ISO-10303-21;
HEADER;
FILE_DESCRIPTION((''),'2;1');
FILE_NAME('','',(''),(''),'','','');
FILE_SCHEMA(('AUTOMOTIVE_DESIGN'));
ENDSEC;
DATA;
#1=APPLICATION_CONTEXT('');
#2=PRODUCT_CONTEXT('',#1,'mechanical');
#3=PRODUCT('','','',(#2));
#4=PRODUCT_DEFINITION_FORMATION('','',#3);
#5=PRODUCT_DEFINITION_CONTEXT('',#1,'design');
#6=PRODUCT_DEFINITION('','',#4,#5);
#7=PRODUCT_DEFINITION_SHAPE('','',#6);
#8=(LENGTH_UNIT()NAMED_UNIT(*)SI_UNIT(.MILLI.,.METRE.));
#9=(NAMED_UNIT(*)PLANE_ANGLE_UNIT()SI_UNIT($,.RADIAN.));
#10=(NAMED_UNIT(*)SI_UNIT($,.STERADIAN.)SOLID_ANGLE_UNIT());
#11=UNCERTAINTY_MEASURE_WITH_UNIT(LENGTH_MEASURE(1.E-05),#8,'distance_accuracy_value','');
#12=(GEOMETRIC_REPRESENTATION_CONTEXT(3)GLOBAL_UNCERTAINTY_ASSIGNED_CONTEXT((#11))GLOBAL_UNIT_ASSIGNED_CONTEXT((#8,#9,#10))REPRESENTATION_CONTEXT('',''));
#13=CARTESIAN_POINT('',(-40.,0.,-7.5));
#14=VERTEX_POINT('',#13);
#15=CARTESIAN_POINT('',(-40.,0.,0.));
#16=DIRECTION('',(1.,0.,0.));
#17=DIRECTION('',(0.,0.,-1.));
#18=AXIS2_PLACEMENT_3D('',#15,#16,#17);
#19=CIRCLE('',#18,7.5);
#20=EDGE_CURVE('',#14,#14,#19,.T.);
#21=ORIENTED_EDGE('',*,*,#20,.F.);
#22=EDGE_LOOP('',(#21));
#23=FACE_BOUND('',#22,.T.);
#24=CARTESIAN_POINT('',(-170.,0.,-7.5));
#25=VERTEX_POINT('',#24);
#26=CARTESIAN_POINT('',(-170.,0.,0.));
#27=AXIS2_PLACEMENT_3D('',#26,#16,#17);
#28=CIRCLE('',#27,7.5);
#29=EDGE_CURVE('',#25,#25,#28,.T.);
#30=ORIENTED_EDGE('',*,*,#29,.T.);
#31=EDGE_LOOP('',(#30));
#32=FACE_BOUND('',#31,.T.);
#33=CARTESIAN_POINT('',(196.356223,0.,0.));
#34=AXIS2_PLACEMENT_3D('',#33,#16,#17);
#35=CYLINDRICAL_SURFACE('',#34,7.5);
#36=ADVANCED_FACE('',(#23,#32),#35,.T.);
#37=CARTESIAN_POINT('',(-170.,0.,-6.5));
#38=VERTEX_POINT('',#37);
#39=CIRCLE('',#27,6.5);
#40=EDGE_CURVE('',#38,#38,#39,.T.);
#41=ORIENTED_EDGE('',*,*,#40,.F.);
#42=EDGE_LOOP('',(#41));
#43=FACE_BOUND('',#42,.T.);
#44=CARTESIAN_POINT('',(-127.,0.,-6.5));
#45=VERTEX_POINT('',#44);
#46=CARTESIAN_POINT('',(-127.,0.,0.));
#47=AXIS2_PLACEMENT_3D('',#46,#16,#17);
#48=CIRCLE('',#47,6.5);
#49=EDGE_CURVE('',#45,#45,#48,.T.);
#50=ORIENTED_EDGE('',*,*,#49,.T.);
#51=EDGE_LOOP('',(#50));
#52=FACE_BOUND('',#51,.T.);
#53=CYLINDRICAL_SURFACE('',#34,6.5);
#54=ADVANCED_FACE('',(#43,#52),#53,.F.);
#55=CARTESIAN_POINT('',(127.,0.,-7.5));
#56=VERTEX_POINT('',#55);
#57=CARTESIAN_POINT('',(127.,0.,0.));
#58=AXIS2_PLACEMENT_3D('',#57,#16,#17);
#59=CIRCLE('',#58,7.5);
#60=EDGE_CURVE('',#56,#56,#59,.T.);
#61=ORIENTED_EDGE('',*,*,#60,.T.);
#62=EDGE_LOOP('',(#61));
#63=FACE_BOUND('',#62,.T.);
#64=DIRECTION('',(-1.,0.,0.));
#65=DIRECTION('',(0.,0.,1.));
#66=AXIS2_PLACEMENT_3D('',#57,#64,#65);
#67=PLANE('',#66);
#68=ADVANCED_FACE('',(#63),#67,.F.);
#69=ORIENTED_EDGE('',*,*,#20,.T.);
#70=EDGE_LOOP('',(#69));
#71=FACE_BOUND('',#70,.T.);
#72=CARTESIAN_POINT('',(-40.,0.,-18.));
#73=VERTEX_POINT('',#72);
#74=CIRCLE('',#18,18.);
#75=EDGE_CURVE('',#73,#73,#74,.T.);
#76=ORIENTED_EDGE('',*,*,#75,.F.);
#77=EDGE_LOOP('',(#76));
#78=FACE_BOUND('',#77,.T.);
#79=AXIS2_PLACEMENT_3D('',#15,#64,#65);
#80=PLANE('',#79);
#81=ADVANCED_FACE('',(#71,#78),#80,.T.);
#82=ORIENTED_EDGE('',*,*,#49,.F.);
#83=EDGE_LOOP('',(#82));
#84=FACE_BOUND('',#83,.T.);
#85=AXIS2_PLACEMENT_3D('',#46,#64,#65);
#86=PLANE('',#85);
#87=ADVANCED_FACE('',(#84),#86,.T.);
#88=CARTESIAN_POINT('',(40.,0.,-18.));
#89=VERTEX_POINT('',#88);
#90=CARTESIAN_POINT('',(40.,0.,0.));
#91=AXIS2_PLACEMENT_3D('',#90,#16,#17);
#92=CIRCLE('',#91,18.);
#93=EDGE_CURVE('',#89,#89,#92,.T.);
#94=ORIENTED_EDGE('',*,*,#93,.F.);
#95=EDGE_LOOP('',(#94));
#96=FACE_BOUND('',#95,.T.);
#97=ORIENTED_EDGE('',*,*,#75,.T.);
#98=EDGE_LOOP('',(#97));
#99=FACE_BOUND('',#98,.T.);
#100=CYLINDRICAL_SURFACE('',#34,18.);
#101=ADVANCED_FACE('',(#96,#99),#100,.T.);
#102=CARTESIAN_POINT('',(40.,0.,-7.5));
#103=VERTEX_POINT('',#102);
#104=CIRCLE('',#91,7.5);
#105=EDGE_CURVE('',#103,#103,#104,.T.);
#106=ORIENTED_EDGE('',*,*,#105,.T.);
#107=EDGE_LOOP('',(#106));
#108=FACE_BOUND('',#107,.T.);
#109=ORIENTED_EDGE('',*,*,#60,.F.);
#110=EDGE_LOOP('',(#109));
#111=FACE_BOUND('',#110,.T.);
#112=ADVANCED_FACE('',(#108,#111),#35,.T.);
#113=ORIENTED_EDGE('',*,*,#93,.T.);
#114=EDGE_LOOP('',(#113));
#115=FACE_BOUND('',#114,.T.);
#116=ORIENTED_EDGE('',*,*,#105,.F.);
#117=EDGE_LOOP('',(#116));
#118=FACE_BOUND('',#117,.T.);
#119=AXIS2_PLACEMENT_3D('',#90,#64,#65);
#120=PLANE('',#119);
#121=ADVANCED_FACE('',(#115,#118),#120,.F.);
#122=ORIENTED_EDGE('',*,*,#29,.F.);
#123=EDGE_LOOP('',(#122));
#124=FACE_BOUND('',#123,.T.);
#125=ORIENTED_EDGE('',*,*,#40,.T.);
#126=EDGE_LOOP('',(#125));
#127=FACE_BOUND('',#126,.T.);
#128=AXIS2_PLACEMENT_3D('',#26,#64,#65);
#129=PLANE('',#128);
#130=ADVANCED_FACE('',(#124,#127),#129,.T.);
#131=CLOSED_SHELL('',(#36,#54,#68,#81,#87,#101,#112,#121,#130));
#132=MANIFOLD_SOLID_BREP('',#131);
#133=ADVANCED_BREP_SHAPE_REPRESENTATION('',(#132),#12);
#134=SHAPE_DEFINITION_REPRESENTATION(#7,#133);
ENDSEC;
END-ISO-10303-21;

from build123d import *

# Parameters (mm, degrees)
SKETCH1_W = 80
SKETCH1_H = 10.5


with BuildPart() as part:
    # Sketch1 → Revolve1 (revolve)
    with BuildSketch(Plane.XY, mode=Mode.PRIVATE) as revolve1_sk:
        with Locations((0, 12.75)):
            Rectangle(SKETCH1_W, SKETCH1_H)
        Polygon((-170, 6.5), (-127, 6.5), (-127, 0), (127, 0), (127, 7.5), (-170, 7.5), align=None)
    revolve(revolve1_sk.sketch.rotate(Axis((196.356223274, 0, 0), (-1, 0, 0)), 90), axis=Axis((196.356223274, 0, 0), (-1, 0, 0)))


solid = part.part
